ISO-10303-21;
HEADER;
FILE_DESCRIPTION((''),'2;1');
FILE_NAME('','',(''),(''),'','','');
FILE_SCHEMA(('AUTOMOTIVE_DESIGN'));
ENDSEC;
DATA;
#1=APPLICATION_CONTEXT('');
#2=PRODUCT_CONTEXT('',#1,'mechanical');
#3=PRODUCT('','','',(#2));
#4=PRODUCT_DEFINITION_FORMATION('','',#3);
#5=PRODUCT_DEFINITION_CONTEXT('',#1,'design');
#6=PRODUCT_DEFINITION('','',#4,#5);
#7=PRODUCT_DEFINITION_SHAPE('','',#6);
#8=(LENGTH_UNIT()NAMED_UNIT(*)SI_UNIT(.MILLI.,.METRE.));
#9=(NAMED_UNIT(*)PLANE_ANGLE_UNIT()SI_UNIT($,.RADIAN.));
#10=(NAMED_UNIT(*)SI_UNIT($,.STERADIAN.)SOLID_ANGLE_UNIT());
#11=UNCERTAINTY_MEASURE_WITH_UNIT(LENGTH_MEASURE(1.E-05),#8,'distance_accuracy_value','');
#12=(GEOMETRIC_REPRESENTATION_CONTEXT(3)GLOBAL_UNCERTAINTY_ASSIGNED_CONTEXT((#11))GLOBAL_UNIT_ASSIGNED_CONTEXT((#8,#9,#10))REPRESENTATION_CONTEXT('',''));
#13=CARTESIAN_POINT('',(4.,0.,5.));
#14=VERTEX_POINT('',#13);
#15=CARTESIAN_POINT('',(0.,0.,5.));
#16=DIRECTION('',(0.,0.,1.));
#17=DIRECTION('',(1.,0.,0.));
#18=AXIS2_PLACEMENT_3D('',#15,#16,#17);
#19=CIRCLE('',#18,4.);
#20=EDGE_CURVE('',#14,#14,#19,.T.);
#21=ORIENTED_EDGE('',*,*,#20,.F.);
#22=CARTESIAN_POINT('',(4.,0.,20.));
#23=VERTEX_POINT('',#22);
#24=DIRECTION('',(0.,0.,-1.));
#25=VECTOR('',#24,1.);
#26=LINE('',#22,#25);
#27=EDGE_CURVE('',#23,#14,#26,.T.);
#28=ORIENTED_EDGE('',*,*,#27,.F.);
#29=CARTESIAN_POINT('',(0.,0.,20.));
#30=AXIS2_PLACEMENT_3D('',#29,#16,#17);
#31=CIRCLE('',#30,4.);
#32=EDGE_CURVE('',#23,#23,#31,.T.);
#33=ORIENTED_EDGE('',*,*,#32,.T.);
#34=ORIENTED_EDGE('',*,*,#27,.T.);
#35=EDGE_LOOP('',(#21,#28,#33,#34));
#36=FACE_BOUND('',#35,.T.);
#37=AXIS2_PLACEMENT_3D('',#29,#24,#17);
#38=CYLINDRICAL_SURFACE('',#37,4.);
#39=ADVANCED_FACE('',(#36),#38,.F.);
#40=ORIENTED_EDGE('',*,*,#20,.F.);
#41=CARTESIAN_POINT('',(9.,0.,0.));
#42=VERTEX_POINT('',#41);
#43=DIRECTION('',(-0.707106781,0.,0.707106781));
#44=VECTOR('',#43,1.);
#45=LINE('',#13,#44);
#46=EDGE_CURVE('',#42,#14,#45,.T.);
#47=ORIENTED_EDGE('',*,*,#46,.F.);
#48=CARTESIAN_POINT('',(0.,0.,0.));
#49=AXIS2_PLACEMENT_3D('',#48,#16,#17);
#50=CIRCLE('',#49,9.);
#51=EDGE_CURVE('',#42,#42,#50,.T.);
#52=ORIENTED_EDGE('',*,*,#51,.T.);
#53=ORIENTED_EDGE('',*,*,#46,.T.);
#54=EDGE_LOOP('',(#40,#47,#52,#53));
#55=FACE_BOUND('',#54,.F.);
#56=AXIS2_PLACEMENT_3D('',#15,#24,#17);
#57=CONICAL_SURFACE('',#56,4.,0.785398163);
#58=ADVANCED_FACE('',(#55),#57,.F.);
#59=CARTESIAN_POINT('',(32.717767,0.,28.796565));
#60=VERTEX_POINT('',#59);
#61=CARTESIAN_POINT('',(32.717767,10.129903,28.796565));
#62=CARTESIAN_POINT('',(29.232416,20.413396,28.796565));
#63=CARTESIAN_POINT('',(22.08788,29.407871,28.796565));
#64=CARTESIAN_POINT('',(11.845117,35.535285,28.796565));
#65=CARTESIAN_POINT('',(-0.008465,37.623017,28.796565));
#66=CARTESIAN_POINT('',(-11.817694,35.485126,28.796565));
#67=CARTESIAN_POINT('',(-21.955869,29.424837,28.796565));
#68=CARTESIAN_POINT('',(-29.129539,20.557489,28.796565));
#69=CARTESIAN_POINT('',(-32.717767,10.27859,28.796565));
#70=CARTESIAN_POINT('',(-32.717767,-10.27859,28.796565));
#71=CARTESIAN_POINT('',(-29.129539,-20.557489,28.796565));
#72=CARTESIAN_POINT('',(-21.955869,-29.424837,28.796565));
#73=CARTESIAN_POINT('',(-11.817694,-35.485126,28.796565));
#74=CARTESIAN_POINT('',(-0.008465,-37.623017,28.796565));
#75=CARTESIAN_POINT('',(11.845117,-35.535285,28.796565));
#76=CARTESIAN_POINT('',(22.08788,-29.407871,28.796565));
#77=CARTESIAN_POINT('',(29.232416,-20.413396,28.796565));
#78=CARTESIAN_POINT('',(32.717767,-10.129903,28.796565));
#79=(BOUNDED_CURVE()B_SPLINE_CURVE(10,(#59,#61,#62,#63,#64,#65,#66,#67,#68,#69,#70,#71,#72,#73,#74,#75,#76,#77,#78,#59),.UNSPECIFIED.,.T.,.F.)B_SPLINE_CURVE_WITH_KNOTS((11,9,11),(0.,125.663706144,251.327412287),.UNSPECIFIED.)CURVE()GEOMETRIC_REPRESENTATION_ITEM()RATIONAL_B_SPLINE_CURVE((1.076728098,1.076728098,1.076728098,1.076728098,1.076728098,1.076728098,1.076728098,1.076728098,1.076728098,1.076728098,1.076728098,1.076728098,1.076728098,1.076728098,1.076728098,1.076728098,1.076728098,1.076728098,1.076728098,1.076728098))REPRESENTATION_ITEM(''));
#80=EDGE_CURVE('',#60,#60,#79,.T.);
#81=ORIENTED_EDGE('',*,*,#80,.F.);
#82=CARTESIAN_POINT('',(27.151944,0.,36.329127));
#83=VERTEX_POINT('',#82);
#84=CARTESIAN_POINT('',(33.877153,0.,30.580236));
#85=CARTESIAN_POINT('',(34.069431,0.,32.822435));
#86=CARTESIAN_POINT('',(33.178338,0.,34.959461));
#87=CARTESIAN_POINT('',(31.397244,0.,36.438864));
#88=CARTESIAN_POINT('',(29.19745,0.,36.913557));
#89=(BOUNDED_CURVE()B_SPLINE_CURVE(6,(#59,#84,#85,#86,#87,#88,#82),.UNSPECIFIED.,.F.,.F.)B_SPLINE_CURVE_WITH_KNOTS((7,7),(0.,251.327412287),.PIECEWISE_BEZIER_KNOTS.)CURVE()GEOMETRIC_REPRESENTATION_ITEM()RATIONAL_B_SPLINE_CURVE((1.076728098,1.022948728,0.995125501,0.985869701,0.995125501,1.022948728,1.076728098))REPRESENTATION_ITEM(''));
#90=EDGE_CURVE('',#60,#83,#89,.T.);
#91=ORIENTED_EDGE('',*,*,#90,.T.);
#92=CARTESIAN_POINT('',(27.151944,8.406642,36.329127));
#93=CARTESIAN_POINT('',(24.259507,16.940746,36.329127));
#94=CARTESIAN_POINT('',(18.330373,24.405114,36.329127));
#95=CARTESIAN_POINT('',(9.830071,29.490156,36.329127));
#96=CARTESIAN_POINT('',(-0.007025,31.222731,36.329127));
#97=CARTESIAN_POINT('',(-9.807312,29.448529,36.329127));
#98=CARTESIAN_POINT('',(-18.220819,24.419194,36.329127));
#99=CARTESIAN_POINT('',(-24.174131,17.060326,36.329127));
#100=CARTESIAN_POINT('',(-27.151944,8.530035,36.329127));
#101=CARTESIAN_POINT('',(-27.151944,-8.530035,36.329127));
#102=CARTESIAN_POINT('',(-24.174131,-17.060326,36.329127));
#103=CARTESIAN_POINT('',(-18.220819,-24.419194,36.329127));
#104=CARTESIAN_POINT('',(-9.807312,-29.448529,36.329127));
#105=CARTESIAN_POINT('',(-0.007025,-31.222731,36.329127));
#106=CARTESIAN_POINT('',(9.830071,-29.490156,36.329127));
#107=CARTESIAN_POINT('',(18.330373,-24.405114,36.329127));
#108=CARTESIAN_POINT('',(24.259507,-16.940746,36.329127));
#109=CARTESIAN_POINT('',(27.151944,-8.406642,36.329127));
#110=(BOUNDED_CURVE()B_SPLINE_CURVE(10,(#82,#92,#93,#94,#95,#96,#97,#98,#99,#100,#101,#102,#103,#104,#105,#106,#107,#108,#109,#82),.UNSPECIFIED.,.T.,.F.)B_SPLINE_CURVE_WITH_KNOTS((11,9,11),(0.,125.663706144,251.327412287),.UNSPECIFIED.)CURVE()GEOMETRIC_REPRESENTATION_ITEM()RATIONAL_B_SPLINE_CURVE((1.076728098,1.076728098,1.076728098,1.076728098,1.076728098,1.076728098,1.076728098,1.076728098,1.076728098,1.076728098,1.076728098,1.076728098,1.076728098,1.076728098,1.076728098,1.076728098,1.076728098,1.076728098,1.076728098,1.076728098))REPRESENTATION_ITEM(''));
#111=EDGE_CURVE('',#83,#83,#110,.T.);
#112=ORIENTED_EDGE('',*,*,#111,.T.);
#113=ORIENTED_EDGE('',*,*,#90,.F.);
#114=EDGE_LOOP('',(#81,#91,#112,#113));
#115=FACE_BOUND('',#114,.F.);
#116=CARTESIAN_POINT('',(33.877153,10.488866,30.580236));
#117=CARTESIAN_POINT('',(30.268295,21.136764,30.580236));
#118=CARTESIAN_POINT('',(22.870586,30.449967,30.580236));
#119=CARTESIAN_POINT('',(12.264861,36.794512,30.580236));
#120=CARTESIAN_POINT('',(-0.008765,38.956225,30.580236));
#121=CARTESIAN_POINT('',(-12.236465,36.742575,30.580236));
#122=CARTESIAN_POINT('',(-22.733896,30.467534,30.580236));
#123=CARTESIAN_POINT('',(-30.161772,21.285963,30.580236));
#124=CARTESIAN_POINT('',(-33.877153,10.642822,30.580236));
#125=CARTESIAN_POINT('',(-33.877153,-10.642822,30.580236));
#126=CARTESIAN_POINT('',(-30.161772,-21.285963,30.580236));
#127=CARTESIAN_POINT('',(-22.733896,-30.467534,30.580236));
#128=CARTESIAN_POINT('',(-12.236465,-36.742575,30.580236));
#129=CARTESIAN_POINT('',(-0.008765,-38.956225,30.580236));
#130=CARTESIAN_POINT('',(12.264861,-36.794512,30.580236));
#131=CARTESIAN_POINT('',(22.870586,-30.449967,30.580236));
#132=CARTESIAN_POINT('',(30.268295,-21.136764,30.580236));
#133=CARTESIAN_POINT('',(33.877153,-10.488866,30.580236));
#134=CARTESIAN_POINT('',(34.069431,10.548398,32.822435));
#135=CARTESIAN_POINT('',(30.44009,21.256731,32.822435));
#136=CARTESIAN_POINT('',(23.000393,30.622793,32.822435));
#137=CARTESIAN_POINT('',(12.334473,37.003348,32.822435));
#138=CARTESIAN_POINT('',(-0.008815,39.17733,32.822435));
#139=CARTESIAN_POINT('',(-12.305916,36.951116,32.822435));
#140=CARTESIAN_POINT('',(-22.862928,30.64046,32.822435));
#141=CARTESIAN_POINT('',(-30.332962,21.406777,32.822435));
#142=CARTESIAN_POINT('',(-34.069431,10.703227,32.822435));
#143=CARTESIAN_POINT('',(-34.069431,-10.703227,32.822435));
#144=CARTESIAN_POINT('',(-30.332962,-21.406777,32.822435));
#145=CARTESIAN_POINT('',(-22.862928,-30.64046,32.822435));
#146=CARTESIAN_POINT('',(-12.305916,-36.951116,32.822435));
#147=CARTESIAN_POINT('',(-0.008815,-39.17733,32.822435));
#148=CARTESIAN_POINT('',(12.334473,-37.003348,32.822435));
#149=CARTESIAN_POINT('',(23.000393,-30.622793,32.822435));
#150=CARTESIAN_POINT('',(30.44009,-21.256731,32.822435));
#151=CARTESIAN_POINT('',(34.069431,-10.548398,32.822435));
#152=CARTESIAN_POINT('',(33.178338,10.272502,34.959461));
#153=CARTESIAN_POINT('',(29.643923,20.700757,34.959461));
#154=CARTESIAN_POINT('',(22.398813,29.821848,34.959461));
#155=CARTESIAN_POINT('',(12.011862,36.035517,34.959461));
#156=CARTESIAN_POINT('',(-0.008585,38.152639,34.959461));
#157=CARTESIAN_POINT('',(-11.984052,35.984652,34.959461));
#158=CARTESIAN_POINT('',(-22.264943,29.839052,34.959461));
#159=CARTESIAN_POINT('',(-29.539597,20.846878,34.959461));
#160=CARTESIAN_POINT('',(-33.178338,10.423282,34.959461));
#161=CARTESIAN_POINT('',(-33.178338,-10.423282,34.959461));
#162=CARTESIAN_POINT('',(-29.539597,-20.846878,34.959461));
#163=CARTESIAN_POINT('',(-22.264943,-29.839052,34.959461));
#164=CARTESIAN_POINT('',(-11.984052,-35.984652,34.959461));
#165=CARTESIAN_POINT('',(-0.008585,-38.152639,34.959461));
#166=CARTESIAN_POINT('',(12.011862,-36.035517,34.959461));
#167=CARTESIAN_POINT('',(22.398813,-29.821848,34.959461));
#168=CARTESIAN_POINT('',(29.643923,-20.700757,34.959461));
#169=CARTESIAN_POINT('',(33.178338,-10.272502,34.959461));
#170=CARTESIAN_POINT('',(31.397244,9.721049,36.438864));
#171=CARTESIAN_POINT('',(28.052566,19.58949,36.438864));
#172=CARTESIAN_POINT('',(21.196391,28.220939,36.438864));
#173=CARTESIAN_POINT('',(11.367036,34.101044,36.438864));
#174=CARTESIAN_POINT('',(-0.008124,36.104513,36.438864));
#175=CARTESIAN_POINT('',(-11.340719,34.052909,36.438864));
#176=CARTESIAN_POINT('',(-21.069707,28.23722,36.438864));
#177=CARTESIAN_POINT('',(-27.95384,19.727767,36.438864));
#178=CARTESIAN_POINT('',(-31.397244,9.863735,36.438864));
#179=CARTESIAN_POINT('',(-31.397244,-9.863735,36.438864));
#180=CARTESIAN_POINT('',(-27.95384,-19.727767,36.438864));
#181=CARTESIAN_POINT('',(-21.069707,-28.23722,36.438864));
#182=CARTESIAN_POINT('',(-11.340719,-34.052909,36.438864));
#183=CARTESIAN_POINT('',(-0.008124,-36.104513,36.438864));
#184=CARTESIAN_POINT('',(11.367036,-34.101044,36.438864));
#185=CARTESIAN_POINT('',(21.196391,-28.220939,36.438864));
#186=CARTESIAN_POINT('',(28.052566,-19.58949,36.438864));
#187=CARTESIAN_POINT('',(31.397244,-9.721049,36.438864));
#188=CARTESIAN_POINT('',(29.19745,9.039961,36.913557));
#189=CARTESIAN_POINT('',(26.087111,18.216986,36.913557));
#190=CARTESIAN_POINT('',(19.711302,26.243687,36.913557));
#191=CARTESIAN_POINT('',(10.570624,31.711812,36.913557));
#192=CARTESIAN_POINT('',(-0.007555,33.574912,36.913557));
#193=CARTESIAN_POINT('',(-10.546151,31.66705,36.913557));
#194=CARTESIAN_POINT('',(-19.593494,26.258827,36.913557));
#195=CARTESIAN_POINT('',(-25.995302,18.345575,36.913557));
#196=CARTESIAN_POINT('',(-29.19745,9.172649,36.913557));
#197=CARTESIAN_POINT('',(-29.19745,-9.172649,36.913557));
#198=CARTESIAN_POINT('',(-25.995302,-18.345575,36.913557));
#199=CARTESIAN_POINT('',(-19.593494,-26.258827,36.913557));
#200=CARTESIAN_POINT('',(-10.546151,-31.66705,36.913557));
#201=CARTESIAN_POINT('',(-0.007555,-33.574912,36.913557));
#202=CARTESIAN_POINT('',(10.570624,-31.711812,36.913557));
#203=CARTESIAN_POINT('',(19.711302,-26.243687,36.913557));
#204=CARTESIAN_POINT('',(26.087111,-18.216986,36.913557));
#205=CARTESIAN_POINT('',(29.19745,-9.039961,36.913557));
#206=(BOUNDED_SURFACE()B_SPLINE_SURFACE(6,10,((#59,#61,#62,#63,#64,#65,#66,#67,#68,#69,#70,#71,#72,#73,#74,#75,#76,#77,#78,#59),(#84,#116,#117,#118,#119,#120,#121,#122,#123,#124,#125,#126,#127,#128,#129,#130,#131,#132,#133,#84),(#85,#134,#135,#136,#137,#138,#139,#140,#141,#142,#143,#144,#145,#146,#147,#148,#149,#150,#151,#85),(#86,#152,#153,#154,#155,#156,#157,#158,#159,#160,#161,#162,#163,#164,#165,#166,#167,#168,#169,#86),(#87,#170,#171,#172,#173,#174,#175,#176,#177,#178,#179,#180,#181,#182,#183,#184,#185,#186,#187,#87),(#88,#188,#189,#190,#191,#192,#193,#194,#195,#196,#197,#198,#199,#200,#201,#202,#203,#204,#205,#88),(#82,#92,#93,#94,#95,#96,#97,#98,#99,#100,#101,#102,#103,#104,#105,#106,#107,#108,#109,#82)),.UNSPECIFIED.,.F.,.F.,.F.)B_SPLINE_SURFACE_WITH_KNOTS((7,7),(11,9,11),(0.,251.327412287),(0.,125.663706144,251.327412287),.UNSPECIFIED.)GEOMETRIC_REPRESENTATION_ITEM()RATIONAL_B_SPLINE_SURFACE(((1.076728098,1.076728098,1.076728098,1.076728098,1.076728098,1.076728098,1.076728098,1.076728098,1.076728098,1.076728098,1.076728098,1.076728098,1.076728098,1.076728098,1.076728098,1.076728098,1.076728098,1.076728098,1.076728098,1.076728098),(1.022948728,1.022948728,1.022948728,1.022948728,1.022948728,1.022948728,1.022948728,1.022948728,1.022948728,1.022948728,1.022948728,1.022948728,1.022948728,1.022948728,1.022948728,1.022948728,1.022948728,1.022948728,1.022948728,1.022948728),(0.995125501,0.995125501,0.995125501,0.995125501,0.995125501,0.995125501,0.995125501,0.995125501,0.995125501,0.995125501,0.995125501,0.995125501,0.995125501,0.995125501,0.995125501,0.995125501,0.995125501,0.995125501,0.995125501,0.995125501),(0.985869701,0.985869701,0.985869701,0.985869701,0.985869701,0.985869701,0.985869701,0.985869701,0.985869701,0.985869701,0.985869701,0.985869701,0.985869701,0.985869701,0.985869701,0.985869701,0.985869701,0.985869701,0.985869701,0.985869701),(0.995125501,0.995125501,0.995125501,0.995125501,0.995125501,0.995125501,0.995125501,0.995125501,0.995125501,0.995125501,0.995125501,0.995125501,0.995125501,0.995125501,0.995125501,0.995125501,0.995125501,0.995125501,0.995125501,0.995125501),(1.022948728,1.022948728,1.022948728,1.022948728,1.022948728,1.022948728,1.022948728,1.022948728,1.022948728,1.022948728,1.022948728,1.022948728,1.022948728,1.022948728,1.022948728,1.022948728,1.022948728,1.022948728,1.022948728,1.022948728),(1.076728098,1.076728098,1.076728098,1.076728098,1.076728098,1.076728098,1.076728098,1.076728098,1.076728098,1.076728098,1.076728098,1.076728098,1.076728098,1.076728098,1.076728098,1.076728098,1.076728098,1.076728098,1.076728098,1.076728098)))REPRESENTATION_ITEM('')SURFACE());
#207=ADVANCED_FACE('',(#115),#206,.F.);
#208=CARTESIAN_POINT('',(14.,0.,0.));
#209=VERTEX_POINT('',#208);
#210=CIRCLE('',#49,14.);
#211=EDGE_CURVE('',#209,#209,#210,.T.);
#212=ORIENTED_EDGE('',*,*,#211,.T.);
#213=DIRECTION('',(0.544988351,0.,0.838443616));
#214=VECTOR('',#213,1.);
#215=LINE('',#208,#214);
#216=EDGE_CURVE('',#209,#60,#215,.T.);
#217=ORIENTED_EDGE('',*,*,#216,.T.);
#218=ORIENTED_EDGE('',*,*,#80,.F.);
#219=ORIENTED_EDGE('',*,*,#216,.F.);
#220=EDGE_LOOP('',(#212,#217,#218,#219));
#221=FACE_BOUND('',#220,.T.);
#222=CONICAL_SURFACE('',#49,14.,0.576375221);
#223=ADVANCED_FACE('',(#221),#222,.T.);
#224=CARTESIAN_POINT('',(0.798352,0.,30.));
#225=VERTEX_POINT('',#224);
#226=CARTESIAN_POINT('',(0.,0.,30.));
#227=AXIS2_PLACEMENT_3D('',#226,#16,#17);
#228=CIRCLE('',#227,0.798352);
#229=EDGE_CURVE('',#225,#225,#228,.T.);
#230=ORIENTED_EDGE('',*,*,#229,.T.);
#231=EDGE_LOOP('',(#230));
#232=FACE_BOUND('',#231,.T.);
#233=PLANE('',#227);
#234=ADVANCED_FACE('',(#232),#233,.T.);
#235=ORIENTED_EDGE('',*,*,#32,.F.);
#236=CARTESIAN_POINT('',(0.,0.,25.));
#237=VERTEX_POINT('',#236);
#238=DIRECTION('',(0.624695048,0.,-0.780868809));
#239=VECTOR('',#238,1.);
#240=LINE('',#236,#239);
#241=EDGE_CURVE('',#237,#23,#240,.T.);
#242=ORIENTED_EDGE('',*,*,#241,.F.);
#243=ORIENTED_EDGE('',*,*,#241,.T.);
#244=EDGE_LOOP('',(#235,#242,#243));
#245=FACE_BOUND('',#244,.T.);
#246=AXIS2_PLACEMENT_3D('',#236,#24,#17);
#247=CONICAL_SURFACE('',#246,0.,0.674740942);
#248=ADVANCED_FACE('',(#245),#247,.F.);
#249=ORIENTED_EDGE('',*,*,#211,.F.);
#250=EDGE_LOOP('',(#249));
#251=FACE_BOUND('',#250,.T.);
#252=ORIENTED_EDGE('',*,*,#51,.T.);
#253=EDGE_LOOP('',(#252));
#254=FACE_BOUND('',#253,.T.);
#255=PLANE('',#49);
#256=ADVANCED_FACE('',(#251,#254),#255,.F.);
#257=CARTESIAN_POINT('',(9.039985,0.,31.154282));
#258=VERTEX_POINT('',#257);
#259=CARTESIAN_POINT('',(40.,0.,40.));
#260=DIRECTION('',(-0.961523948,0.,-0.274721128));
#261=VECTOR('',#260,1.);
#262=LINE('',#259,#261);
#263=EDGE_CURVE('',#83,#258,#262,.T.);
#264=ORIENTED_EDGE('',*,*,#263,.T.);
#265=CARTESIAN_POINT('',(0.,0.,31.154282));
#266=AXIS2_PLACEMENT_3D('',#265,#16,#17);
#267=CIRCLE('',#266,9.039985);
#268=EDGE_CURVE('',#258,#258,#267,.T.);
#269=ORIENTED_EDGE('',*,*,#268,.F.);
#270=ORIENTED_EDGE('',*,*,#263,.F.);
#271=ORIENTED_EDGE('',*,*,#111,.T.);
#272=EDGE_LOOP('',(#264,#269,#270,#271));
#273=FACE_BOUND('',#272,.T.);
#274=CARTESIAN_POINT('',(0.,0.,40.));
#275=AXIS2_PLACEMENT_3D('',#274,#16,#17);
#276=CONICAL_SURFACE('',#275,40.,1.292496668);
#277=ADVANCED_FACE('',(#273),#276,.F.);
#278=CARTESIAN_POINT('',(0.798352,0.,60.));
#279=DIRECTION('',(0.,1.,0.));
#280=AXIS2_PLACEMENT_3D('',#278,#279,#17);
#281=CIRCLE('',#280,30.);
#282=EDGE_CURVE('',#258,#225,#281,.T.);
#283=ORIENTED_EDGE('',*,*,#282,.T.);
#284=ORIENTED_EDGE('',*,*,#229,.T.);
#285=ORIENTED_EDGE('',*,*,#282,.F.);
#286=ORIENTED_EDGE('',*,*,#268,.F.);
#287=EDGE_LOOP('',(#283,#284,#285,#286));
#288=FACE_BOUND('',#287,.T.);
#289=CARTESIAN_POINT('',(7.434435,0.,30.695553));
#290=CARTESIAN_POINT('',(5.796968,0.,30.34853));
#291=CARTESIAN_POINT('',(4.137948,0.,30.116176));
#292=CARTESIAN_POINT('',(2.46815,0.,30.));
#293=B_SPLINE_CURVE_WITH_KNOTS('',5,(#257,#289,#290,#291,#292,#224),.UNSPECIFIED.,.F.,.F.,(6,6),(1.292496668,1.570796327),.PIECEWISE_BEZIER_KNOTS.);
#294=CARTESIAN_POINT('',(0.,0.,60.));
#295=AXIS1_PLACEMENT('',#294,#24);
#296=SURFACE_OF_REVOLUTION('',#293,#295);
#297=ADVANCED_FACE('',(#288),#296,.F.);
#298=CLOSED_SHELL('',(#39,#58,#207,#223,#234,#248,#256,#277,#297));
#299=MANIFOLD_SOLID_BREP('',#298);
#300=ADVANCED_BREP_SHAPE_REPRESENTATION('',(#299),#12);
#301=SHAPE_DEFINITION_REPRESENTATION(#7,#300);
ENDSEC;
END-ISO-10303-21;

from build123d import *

# Parameters (mm, degrees)
F2_R    = 5
F3_R    = 30
F4_SIZE = 5


with BuildPart() as f1:
    # F0 (on Front) → F1 (revolve)
    with BuildSketch(Plane.XZ):
        Polygon((4, 20), (4, 0), (14, 0), (40, 40), (5, 30), (0, 30), (0, 25), align=None)
    revolve(axis=Axis((0, 0, 22.69237), (0, 0, 1)))

    # F2
    f2_edges = [f1.edges().sort_by_distance(p)[0] for p in [
        (-40, 0, 40),
    ]]
    fillet(f2_edges, radius=F2_R)

    # F3
    f3_edges = [f1.edges().sort_by_distance(p)[0] for p in [
        (-5, 0, 30),
    ]]
    fillet(f3_edges, radius=F3_R)

    # F4
    f4_edges = [f1.edges().sort_by_distance(p)[0] for p in [
        (-4, 0, 0),
    ]]
    chamfer(f4_edges, length=F4_SIZE)


solid = f1.part
